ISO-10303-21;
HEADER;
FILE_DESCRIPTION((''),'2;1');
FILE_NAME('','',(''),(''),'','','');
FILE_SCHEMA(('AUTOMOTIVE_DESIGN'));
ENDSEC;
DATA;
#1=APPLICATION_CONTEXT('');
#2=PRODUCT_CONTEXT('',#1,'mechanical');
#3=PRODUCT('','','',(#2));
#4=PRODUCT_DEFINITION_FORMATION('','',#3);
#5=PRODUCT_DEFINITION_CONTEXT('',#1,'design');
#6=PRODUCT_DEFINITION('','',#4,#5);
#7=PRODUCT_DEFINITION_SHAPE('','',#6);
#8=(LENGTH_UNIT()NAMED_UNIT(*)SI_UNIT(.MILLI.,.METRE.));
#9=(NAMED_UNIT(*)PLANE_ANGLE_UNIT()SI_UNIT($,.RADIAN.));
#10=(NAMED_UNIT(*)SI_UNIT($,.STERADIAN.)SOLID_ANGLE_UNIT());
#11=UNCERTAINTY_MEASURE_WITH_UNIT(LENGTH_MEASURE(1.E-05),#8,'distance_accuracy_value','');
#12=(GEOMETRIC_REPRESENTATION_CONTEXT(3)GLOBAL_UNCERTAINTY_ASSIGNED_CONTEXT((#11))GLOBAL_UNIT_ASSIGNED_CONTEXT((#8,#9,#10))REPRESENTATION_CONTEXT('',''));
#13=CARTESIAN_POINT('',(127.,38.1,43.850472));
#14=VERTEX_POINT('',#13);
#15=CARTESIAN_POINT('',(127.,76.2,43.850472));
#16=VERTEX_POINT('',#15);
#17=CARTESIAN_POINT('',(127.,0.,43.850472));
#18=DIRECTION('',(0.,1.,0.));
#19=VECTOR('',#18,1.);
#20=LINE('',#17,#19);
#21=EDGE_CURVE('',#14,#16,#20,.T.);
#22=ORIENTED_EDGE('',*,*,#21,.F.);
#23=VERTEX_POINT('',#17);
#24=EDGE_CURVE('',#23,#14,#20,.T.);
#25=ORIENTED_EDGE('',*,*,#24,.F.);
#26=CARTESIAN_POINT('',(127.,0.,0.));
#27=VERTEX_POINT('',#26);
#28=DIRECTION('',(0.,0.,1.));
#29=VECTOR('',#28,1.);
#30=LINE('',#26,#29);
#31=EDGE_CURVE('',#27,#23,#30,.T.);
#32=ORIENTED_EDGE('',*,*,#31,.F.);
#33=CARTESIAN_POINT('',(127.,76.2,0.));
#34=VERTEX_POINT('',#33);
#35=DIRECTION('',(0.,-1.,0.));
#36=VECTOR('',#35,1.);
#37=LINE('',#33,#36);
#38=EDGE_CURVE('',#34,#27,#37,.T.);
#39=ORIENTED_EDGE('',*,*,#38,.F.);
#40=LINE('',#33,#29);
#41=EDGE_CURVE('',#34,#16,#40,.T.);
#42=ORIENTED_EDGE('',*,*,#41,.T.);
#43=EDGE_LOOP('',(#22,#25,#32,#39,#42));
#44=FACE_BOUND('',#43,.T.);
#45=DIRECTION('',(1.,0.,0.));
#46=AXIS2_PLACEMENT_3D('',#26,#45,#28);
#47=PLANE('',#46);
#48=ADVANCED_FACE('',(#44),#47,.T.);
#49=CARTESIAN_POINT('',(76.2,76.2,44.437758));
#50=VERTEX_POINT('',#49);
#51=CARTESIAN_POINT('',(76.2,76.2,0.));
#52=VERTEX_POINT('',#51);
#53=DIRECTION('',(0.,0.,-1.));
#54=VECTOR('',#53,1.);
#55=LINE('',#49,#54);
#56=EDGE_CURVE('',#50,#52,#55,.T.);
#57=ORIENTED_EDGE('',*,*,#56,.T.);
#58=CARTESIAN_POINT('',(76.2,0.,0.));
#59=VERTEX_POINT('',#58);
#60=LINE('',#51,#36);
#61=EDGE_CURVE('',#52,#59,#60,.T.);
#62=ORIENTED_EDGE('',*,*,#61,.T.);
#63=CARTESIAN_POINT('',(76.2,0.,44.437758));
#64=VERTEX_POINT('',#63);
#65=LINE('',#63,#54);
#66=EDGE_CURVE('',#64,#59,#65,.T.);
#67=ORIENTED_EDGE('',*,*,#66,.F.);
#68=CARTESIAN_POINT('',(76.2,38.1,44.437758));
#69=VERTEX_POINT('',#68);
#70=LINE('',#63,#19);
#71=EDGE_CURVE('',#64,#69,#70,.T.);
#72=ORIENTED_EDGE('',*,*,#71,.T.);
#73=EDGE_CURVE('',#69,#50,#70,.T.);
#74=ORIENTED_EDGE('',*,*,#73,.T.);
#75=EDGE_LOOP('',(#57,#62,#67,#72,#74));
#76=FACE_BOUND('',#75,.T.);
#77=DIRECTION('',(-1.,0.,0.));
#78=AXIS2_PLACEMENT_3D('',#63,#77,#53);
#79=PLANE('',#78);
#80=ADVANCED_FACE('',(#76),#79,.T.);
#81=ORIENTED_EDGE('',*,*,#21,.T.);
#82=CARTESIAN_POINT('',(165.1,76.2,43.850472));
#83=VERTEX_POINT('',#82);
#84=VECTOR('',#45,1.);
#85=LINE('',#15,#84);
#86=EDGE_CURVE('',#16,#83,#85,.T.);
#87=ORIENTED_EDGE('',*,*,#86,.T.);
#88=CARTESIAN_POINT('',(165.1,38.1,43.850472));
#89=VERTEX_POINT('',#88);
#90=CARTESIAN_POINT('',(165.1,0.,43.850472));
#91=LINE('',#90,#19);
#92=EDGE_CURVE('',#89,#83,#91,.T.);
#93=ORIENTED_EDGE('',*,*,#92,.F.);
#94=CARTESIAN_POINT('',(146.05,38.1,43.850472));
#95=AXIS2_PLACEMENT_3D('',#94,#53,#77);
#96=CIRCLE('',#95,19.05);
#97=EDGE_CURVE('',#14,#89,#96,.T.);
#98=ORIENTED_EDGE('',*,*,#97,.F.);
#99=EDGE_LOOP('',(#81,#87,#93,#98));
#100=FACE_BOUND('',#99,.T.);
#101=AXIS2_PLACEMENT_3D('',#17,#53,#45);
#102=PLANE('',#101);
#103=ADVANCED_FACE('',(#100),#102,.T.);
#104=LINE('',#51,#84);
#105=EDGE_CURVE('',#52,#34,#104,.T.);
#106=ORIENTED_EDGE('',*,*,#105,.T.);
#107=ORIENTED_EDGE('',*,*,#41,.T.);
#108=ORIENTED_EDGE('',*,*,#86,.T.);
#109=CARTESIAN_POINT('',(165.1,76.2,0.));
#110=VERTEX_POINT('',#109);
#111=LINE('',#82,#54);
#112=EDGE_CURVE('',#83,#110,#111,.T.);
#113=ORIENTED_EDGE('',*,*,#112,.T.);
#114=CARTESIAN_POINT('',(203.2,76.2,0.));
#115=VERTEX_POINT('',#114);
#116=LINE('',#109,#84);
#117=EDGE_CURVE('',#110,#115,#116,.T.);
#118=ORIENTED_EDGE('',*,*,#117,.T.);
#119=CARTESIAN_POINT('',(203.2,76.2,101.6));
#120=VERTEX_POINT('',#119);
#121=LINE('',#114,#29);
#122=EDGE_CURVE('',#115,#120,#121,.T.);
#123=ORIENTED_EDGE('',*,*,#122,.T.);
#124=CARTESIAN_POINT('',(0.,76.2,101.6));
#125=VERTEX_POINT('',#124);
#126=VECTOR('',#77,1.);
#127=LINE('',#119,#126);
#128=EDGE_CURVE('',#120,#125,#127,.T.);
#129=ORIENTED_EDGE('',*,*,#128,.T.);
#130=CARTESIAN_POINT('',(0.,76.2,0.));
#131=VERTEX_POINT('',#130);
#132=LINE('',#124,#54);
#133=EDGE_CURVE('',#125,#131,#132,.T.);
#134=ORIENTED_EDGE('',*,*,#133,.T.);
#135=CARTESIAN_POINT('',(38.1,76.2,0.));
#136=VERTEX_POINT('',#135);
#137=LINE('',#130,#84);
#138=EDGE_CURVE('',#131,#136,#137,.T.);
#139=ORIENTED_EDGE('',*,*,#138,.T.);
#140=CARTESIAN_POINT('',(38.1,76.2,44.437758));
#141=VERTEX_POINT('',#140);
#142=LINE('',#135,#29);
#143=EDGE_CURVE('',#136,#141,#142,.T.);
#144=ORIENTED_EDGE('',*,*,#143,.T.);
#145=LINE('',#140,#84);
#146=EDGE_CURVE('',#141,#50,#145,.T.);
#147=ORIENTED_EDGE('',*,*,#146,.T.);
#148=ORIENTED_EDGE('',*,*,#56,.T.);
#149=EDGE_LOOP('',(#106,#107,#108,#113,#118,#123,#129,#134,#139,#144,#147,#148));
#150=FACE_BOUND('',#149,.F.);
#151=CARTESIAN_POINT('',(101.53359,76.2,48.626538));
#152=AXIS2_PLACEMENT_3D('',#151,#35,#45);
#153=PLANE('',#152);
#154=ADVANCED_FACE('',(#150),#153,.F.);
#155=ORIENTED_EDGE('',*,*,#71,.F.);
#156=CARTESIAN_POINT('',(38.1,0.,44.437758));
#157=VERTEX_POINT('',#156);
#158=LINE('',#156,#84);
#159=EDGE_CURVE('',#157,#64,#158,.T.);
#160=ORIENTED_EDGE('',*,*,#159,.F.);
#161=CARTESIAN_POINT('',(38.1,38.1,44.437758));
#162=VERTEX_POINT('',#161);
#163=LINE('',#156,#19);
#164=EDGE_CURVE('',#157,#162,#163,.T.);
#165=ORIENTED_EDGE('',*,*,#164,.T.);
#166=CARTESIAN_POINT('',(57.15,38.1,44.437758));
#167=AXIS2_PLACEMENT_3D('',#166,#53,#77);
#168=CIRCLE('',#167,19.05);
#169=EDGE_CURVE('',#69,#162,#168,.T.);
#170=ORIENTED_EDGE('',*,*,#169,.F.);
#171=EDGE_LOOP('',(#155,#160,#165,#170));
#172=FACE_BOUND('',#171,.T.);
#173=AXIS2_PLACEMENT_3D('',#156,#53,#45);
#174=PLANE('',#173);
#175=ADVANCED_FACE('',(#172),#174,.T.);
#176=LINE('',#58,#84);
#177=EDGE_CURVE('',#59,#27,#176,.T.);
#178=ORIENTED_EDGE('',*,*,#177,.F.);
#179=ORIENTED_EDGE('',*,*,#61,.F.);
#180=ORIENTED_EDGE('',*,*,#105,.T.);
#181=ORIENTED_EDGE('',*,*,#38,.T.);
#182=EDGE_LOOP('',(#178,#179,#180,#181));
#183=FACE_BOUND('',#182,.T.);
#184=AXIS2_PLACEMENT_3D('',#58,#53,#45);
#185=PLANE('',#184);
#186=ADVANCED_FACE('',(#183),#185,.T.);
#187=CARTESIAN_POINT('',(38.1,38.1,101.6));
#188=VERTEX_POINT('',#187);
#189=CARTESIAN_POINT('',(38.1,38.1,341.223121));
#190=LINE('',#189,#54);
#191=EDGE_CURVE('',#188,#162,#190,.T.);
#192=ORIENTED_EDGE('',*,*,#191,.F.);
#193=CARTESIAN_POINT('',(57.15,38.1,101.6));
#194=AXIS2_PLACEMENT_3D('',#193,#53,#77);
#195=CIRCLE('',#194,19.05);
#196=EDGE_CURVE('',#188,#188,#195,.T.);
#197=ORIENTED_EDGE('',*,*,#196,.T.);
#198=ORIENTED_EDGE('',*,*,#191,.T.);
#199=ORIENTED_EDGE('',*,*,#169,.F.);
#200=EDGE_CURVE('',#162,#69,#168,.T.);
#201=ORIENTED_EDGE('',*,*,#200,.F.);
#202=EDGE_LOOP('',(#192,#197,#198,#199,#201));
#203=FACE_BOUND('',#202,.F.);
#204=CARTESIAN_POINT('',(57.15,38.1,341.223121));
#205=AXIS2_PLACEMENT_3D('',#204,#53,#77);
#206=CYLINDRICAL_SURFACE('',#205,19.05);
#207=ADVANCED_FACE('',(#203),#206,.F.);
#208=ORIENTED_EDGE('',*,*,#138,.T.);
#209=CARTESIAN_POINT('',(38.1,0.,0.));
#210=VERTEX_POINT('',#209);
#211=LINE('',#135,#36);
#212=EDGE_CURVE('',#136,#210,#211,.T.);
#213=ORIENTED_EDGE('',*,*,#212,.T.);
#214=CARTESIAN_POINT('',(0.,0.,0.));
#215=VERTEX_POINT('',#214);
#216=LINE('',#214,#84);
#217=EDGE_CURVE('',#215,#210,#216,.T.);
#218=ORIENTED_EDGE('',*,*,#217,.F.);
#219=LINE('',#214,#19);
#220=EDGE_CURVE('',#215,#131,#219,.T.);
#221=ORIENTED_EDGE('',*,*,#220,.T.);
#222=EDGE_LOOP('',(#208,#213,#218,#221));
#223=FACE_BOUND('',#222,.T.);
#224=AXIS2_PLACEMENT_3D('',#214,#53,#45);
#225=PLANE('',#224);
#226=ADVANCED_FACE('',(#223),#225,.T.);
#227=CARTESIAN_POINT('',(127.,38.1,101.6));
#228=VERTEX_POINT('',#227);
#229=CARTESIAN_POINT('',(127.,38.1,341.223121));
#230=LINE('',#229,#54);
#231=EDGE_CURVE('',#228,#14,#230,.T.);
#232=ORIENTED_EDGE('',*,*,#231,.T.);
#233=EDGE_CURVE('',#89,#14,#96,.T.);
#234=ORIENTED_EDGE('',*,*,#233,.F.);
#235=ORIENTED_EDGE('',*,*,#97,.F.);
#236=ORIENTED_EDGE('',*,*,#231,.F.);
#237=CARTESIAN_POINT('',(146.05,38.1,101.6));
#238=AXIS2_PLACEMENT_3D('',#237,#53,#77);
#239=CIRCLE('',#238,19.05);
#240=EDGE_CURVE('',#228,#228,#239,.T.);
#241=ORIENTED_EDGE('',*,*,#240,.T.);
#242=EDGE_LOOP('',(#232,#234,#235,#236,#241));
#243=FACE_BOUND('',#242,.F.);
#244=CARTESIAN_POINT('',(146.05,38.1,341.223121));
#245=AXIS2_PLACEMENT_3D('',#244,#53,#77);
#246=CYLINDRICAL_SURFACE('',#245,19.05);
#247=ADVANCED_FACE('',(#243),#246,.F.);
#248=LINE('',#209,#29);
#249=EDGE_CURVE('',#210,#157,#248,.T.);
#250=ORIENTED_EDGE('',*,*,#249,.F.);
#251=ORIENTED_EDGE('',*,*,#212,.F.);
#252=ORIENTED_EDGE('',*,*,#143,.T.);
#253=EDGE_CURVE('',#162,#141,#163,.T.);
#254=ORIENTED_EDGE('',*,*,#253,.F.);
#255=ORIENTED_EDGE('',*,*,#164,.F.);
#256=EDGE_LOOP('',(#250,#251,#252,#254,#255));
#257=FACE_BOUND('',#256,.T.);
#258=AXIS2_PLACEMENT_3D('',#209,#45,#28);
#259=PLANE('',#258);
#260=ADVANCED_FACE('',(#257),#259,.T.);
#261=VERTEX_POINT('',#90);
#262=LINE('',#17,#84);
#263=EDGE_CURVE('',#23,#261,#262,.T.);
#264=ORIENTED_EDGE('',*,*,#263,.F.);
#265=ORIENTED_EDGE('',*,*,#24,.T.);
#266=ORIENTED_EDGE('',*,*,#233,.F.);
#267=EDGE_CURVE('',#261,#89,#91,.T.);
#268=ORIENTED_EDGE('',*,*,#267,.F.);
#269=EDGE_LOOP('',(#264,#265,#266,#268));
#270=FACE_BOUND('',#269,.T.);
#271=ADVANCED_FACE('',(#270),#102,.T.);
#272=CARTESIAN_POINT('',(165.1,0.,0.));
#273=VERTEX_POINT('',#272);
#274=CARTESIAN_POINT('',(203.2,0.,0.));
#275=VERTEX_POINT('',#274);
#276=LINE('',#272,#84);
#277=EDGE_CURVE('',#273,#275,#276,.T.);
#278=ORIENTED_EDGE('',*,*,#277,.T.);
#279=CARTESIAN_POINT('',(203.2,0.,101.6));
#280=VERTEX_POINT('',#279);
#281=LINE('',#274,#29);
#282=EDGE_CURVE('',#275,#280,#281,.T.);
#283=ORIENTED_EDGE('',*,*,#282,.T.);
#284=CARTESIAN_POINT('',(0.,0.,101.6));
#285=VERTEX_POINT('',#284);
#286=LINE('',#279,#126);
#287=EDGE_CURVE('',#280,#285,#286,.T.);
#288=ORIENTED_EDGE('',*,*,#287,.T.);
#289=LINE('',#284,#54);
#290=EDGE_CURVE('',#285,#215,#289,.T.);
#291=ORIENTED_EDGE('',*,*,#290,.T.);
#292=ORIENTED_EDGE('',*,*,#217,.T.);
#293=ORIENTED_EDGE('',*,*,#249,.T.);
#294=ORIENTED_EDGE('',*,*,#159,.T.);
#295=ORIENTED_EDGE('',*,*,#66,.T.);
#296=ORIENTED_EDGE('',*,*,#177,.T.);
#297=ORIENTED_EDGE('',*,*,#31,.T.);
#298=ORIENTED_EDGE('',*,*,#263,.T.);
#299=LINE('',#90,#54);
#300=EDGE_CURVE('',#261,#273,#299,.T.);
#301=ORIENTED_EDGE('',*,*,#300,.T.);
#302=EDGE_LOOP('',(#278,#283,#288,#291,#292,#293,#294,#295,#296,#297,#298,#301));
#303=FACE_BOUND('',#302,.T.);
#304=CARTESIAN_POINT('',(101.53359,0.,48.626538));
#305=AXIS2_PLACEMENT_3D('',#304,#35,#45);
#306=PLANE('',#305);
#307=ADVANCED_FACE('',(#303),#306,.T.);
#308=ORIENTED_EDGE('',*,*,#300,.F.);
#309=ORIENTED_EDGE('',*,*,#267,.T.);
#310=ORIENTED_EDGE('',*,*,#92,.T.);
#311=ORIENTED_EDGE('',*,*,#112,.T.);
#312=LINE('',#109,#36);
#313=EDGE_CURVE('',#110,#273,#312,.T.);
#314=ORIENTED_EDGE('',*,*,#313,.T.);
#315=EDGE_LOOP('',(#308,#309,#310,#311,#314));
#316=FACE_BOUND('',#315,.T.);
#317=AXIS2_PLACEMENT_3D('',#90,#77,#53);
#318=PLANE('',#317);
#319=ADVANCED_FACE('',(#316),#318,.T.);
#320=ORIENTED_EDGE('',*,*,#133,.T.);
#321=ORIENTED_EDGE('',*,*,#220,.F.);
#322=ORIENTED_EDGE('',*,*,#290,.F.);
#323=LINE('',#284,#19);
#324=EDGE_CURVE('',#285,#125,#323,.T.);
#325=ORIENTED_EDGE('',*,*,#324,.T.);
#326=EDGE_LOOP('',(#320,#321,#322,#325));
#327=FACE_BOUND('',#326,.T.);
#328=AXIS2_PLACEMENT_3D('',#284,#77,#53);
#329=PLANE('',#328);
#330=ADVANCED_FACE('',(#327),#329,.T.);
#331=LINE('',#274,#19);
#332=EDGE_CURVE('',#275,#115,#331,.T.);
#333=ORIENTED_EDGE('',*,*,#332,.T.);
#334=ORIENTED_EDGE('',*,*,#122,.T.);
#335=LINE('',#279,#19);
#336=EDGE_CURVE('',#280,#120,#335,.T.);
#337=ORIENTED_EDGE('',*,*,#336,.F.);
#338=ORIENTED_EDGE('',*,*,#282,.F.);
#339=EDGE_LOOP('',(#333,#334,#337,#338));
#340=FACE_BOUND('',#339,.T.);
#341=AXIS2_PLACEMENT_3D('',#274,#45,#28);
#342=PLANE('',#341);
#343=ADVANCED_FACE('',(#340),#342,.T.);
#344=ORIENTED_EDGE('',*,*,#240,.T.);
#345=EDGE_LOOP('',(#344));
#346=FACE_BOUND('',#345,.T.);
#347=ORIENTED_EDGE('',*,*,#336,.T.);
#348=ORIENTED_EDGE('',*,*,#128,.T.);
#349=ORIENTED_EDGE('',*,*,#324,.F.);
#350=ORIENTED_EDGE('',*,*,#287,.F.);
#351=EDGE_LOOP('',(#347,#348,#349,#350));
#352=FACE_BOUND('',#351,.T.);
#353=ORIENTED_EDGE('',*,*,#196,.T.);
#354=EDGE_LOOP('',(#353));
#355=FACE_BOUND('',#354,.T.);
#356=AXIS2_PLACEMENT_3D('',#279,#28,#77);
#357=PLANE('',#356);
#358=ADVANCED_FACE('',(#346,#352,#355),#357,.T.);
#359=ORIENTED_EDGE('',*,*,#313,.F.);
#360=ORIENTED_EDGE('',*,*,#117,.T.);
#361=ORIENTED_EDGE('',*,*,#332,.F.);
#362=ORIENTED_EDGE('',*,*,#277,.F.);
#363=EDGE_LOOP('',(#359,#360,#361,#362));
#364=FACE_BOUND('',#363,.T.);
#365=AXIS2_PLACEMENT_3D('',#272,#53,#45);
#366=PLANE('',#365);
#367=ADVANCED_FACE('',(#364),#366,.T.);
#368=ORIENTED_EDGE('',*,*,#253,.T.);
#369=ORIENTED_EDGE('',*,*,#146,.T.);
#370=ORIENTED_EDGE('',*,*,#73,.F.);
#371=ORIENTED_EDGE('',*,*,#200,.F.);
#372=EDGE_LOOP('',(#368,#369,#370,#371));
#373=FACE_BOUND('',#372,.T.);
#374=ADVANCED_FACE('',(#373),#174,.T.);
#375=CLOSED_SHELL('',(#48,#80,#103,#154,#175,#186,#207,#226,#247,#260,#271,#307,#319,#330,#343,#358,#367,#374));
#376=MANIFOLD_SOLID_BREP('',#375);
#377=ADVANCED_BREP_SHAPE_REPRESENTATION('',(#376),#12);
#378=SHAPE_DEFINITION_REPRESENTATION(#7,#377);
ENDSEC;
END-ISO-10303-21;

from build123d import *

# Parameters (mm, degrees)
F1_DEPTH = 76.2
F3_D     = 38.1


with BuildPart() as f1:
    # F0 (on Front) → F1 (new body)
    with BuildSketch(Plane.XZ):
        Polygon((0, 101.6), (0, 0), (38.1, 0), (38.1, 44.437758), (76.2, 44.437758), (76.2, 0), (127, 0), (127, 43.850472), (165.1, 43.850472), (165.1, 0), (203.2, 0), (203.2, 101.6), align=None)
    extrude(amount=-F1_DEPTH)

    # F3 (through all)
    with Locations(Plane.XY.offset(101.6)):
        with Locations((57.15, 38.1), (146.05, 38.1)):
            Hole(F3_D / 2)


solid = f1.part
